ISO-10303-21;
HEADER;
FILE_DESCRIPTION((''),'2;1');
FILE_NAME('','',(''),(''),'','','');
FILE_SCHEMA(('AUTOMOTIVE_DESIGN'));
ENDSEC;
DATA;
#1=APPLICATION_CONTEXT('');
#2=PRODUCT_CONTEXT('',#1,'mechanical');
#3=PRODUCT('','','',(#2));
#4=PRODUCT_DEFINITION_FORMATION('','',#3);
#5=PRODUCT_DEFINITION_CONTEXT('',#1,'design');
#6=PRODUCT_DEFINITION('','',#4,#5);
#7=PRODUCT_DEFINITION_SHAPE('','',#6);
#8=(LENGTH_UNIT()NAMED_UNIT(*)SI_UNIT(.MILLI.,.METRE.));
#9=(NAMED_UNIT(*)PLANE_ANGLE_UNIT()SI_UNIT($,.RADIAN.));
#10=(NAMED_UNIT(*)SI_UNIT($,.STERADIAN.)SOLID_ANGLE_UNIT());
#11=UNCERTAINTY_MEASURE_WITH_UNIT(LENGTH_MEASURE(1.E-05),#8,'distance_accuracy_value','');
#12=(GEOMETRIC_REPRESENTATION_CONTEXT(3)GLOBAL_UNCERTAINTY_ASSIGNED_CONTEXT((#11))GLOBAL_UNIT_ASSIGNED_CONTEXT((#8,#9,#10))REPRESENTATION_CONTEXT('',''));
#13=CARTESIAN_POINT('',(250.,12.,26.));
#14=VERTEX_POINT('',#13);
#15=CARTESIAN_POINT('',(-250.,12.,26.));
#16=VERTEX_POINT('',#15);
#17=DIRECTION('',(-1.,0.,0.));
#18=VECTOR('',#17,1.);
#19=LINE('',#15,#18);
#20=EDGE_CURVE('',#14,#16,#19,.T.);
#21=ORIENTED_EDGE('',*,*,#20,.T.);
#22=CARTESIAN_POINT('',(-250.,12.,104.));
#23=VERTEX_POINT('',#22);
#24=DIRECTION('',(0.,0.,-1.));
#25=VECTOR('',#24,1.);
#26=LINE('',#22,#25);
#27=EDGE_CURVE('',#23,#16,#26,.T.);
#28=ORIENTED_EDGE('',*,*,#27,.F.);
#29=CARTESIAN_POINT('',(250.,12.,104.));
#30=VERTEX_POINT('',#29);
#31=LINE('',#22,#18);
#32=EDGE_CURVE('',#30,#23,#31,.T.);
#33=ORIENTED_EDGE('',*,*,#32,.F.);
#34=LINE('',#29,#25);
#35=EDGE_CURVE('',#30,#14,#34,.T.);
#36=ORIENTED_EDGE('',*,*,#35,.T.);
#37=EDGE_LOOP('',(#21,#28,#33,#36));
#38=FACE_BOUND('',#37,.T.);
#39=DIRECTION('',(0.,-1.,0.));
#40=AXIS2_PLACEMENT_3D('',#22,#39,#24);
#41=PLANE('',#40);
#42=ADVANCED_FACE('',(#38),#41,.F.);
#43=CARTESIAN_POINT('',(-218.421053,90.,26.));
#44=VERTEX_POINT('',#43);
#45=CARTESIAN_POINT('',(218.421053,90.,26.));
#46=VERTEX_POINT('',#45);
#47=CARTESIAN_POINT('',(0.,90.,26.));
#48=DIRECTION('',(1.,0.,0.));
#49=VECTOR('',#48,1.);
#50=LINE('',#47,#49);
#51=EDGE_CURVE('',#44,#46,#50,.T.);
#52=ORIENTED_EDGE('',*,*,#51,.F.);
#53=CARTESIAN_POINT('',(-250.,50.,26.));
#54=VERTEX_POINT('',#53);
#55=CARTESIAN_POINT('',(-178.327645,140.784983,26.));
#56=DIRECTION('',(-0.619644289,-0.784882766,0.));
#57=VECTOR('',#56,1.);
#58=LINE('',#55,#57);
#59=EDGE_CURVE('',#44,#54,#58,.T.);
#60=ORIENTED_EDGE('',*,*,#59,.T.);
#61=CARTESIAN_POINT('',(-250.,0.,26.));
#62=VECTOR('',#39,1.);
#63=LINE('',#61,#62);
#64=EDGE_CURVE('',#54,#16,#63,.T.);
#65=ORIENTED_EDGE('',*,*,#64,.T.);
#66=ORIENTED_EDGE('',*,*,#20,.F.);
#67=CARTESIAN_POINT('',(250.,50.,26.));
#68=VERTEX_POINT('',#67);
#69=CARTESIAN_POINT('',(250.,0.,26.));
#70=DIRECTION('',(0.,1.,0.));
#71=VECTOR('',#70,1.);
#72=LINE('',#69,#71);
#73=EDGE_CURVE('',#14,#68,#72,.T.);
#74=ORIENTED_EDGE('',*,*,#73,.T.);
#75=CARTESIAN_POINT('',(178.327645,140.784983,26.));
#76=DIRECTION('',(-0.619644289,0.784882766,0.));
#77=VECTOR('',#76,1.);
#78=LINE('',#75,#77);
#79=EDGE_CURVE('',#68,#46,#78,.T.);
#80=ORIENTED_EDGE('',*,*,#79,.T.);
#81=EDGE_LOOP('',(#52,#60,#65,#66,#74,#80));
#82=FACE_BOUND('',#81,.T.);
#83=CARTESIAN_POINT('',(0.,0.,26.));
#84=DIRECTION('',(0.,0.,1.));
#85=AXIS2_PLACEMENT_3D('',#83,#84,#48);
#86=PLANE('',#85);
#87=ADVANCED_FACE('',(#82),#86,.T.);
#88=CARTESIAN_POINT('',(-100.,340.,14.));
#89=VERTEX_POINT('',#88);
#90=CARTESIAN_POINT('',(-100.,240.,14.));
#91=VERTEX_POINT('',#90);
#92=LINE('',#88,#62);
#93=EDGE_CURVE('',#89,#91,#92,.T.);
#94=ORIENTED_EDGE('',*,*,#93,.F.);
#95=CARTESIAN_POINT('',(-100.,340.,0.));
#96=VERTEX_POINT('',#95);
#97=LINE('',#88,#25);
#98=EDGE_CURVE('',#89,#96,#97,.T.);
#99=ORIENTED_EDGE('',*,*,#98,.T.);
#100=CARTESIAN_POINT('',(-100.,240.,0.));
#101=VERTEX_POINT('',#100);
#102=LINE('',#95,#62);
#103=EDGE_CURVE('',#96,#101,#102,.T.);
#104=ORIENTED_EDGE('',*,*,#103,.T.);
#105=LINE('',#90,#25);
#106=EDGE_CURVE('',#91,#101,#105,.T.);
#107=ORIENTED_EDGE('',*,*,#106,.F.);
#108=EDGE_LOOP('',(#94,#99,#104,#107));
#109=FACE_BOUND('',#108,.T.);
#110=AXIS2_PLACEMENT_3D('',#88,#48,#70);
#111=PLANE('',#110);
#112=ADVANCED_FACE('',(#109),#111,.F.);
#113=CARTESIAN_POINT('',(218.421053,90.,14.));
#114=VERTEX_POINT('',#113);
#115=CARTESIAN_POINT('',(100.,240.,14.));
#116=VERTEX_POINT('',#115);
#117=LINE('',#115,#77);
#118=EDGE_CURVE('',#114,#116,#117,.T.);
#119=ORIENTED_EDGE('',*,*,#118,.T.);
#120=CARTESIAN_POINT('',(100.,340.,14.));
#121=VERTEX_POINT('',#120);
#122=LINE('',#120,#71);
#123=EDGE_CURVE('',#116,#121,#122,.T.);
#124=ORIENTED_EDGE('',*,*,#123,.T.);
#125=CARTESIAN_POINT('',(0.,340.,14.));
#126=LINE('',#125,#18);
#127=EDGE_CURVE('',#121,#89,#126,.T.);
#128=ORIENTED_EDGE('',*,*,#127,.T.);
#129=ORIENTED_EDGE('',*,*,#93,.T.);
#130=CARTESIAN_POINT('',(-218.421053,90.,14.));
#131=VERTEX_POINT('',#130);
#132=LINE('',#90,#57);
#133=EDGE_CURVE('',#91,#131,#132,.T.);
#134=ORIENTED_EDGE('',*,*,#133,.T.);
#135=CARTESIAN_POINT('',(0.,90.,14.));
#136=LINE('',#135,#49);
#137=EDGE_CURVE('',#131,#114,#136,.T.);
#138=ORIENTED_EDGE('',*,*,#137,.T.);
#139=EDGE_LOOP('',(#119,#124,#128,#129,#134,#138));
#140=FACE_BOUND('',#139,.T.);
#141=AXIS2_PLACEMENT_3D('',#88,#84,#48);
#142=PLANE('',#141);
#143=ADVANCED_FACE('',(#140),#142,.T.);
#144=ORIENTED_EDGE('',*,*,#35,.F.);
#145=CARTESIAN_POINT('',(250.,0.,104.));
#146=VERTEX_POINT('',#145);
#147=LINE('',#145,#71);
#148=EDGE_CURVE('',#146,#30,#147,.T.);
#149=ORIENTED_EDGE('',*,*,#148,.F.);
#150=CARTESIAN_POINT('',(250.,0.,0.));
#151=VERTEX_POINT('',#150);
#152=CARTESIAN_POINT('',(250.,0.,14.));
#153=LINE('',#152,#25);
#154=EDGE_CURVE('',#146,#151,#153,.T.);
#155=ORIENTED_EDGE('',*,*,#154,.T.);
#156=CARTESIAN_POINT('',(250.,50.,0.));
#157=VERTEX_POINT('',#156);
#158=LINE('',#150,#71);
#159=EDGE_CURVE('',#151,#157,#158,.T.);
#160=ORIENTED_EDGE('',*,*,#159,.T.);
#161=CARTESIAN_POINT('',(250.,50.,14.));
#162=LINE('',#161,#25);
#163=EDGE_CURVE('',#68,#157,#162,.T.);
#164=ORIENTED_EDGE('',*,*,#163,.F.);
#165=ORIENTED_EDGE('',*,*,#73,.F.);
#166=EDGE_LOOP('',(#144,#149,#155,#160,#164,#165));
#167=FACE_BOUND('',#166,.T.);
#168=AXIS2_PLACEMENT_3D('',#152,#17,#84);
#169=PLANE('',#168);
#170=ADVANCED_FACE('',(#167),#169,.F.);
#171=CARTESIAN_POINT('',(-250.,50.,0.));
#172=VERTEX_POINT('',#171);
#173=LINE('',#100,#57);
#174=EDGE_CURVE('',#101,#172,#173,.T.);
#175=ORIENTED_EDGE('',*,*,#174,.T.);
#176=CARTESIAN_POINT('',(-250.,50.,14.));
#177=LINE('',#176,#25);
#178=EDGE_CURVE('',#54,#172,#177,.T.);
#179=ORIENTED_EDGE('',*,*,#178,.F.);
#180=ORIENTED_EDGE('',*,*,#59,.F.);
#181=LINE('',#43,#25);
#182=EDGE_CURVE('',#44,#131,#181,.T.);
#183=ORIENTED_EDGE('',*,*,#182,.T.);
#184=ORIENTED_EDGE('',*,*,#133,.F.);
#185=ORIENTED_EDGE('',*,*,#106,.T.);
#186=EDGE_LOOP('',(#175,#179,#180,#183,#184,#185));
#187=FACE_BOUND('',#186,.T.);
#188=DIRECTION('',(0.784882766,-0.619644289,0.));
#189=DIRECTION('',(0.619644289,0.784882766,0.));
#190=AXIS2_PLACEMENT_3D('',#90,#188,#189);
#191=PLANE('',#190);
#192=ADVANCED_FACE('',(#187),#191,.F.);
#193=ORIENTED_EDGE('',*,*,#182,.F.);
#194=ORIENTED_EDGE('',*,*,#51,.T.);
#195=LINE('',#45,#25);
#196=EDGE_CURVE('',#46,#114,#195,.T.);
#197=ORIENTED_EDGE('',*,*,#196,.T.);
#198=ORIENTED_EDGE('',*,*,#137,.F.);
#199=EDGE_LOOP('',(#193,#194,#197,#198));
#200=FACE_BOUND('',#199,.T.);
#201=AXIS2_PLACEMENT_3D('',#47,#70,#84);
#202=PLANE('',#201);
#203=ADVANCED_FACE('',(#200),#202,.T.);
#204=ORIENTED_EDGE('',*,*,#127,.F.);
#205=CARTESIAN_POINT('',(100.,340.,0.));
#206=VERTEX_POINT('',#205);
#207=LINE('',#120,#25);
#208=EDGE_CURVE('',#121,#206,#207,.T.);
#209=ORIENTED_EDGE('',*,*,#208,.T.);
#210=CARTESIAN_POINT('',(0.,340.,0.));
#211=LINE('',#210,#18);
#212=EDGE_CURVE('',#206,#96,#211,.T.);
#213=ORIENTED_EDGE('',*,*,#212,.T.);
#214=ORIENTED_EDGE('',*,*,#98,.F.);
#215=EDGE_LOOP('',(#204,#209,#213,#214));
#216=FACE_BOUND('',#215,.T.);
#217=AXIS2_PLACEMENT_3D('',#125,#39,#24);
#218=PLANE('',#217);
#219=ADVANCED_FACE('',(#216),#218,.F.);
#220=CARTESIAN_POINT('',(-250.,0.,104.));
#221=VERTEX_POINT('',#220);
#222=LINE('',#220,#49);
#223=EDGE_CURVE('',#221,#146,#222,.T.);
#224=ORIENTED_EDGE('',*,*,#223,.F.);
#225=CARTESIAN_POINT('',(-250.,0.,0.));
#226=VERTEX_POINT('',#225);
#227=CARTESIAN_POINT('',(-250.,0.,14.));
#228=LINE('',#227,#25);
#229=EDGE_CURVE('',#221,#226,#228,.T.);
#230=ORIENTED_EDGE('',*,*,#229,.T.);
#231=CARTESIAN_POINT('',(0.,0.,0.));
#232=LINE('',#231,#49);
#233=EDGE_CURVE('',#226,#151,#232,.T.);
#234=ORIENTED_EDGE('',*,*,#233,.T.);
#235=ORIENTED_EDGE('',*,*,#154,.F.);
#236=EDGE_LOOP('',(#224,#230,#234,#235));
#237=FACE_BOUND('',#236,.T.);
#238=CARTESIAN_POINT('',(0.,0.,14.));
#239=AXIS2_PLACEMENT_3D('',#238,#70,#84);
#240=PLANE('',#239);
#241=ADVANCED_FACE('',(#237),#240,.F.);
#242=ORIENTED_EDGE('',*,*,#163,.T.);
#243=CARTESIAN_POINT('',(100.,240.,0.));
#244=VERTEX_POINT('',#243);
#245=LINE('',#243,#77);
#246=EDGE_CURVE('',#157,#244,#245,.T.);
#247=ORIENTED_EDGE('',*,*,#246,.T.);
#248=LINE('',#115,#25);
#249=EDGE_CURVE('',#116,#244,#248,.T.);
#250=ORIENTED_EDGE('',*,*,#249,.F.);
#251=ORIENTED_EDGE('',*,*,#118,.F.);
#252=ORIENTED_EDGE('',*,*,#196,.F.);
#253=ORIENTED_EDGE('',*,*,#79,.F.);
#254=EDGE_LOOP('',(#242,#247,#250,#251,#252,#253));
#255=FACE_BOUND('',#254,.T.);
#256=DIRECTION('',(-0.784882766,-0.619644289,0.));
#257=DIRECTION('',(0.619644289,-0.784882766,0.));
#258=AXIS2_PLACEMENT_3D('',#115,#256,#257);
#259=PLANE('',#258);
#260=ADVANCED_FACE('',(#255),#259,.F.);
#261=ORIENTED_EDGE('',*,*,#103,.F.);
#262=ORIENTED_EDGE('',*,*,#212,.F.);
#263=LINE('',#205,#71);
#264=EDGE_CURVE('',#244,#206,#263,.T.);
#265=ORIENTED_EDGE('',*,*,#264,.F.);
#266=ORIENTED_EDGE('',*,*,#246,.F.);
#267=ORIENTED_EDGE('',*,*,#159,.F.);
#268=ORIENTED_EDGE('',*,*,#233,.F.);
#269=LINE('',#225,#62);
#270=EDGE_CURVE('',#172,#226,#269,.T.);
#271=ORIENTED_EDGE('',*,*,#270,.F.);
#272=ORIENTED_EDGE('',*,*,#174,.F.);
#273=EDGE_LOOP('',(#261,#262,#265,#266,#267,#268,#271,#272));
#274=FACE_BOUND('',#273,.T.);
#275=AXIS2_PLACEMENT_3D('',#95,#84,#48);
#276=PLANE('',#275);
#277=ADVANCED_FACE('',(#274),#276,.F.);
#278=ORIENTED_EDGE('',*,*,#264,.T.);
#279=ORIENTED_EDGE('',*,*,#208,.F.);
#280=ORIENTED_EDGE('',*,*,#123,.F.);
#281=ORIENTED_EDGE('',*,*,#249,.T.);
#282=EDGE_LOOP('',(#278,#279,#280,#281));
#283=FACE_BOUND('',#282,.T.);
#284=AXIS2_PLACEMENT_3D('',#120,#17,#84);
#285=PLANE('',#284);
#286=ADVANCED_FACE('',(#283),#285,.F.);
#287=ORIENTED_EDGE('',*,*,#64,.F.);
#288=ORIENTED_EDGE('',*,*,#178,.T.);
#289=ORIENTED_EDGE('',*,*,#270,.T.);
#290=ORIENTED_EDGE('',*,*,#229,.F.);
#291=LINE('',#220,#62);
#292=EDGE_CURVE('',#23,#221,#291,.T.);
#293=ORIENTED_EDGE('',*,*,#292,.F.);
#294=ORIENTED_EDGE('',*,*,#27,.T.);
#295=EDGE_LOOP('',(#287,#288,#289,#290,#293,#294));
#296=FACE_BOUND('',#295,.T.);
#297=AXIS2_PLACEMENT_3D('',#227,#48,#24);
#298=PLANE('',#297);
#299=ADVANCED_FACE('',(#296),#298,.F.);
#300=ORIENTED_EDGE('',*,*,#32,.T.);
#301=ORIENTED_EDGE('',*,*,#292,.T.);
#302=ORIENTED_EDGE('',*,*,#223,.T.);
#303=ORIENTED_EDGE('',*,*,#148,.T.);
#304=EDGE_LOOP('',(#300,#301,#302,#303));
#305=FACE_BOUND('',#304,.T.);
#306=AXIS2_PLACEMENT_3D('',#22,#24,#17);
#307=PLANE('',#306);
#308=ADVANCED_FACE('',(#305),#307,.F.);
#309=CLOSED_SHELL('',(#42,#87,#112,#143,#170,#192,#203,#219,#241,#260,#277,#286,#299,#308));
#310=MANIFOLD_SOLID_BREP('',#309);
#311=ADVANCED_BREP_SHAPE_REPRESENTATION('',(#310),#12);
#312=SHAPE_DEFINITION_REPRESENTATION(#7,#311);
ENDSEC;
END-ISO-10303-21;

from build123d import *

# Parameters (mm, degrees)
EXTRUDE_1_DEPTH = 14
EXTRUDE_2_DEPTH = 12
SKETCH_8_W      = 500
SKETCH_8_H      = 12
EXTRUDE_5_DEPTH = 78


with BuildPart() as part:
    # 草图1 → 凸台-拉伸1 (new body)
    with BuildSketch(Plane.XY):
        Polygon((0, 0), (250, 0), (250, 50), (100, 240), (100, 340), (0, 340), (-100, 340), (-100, 240), (-250, 50), (-250, 0), align=None)
    extrude(amount=EXTRUDE_1_DEPTH)

    # 草图6 → 凸台-拉伸2 (add)
    with BuildSketch(Plane.XY.offset(14)):
        Polygon((218.421052632, 90), (-218.421052632, 90), (-250, 50), (-250, 0), (250, 0), (250, 50), align=None)
    extrude(amount=EXTRUDE_2_DEPTH)

    # 草图8 → 凸台-拉伸5 (add)
    with BuildSketch(Plane.XY.offset(26)):
        with Locations((0, 6)):
            Rectangle(SKETCH_8_W, SKETCH_8_H)
    extrude(amount=EXTRUDE_5_DEPTH)


solid = part.part
